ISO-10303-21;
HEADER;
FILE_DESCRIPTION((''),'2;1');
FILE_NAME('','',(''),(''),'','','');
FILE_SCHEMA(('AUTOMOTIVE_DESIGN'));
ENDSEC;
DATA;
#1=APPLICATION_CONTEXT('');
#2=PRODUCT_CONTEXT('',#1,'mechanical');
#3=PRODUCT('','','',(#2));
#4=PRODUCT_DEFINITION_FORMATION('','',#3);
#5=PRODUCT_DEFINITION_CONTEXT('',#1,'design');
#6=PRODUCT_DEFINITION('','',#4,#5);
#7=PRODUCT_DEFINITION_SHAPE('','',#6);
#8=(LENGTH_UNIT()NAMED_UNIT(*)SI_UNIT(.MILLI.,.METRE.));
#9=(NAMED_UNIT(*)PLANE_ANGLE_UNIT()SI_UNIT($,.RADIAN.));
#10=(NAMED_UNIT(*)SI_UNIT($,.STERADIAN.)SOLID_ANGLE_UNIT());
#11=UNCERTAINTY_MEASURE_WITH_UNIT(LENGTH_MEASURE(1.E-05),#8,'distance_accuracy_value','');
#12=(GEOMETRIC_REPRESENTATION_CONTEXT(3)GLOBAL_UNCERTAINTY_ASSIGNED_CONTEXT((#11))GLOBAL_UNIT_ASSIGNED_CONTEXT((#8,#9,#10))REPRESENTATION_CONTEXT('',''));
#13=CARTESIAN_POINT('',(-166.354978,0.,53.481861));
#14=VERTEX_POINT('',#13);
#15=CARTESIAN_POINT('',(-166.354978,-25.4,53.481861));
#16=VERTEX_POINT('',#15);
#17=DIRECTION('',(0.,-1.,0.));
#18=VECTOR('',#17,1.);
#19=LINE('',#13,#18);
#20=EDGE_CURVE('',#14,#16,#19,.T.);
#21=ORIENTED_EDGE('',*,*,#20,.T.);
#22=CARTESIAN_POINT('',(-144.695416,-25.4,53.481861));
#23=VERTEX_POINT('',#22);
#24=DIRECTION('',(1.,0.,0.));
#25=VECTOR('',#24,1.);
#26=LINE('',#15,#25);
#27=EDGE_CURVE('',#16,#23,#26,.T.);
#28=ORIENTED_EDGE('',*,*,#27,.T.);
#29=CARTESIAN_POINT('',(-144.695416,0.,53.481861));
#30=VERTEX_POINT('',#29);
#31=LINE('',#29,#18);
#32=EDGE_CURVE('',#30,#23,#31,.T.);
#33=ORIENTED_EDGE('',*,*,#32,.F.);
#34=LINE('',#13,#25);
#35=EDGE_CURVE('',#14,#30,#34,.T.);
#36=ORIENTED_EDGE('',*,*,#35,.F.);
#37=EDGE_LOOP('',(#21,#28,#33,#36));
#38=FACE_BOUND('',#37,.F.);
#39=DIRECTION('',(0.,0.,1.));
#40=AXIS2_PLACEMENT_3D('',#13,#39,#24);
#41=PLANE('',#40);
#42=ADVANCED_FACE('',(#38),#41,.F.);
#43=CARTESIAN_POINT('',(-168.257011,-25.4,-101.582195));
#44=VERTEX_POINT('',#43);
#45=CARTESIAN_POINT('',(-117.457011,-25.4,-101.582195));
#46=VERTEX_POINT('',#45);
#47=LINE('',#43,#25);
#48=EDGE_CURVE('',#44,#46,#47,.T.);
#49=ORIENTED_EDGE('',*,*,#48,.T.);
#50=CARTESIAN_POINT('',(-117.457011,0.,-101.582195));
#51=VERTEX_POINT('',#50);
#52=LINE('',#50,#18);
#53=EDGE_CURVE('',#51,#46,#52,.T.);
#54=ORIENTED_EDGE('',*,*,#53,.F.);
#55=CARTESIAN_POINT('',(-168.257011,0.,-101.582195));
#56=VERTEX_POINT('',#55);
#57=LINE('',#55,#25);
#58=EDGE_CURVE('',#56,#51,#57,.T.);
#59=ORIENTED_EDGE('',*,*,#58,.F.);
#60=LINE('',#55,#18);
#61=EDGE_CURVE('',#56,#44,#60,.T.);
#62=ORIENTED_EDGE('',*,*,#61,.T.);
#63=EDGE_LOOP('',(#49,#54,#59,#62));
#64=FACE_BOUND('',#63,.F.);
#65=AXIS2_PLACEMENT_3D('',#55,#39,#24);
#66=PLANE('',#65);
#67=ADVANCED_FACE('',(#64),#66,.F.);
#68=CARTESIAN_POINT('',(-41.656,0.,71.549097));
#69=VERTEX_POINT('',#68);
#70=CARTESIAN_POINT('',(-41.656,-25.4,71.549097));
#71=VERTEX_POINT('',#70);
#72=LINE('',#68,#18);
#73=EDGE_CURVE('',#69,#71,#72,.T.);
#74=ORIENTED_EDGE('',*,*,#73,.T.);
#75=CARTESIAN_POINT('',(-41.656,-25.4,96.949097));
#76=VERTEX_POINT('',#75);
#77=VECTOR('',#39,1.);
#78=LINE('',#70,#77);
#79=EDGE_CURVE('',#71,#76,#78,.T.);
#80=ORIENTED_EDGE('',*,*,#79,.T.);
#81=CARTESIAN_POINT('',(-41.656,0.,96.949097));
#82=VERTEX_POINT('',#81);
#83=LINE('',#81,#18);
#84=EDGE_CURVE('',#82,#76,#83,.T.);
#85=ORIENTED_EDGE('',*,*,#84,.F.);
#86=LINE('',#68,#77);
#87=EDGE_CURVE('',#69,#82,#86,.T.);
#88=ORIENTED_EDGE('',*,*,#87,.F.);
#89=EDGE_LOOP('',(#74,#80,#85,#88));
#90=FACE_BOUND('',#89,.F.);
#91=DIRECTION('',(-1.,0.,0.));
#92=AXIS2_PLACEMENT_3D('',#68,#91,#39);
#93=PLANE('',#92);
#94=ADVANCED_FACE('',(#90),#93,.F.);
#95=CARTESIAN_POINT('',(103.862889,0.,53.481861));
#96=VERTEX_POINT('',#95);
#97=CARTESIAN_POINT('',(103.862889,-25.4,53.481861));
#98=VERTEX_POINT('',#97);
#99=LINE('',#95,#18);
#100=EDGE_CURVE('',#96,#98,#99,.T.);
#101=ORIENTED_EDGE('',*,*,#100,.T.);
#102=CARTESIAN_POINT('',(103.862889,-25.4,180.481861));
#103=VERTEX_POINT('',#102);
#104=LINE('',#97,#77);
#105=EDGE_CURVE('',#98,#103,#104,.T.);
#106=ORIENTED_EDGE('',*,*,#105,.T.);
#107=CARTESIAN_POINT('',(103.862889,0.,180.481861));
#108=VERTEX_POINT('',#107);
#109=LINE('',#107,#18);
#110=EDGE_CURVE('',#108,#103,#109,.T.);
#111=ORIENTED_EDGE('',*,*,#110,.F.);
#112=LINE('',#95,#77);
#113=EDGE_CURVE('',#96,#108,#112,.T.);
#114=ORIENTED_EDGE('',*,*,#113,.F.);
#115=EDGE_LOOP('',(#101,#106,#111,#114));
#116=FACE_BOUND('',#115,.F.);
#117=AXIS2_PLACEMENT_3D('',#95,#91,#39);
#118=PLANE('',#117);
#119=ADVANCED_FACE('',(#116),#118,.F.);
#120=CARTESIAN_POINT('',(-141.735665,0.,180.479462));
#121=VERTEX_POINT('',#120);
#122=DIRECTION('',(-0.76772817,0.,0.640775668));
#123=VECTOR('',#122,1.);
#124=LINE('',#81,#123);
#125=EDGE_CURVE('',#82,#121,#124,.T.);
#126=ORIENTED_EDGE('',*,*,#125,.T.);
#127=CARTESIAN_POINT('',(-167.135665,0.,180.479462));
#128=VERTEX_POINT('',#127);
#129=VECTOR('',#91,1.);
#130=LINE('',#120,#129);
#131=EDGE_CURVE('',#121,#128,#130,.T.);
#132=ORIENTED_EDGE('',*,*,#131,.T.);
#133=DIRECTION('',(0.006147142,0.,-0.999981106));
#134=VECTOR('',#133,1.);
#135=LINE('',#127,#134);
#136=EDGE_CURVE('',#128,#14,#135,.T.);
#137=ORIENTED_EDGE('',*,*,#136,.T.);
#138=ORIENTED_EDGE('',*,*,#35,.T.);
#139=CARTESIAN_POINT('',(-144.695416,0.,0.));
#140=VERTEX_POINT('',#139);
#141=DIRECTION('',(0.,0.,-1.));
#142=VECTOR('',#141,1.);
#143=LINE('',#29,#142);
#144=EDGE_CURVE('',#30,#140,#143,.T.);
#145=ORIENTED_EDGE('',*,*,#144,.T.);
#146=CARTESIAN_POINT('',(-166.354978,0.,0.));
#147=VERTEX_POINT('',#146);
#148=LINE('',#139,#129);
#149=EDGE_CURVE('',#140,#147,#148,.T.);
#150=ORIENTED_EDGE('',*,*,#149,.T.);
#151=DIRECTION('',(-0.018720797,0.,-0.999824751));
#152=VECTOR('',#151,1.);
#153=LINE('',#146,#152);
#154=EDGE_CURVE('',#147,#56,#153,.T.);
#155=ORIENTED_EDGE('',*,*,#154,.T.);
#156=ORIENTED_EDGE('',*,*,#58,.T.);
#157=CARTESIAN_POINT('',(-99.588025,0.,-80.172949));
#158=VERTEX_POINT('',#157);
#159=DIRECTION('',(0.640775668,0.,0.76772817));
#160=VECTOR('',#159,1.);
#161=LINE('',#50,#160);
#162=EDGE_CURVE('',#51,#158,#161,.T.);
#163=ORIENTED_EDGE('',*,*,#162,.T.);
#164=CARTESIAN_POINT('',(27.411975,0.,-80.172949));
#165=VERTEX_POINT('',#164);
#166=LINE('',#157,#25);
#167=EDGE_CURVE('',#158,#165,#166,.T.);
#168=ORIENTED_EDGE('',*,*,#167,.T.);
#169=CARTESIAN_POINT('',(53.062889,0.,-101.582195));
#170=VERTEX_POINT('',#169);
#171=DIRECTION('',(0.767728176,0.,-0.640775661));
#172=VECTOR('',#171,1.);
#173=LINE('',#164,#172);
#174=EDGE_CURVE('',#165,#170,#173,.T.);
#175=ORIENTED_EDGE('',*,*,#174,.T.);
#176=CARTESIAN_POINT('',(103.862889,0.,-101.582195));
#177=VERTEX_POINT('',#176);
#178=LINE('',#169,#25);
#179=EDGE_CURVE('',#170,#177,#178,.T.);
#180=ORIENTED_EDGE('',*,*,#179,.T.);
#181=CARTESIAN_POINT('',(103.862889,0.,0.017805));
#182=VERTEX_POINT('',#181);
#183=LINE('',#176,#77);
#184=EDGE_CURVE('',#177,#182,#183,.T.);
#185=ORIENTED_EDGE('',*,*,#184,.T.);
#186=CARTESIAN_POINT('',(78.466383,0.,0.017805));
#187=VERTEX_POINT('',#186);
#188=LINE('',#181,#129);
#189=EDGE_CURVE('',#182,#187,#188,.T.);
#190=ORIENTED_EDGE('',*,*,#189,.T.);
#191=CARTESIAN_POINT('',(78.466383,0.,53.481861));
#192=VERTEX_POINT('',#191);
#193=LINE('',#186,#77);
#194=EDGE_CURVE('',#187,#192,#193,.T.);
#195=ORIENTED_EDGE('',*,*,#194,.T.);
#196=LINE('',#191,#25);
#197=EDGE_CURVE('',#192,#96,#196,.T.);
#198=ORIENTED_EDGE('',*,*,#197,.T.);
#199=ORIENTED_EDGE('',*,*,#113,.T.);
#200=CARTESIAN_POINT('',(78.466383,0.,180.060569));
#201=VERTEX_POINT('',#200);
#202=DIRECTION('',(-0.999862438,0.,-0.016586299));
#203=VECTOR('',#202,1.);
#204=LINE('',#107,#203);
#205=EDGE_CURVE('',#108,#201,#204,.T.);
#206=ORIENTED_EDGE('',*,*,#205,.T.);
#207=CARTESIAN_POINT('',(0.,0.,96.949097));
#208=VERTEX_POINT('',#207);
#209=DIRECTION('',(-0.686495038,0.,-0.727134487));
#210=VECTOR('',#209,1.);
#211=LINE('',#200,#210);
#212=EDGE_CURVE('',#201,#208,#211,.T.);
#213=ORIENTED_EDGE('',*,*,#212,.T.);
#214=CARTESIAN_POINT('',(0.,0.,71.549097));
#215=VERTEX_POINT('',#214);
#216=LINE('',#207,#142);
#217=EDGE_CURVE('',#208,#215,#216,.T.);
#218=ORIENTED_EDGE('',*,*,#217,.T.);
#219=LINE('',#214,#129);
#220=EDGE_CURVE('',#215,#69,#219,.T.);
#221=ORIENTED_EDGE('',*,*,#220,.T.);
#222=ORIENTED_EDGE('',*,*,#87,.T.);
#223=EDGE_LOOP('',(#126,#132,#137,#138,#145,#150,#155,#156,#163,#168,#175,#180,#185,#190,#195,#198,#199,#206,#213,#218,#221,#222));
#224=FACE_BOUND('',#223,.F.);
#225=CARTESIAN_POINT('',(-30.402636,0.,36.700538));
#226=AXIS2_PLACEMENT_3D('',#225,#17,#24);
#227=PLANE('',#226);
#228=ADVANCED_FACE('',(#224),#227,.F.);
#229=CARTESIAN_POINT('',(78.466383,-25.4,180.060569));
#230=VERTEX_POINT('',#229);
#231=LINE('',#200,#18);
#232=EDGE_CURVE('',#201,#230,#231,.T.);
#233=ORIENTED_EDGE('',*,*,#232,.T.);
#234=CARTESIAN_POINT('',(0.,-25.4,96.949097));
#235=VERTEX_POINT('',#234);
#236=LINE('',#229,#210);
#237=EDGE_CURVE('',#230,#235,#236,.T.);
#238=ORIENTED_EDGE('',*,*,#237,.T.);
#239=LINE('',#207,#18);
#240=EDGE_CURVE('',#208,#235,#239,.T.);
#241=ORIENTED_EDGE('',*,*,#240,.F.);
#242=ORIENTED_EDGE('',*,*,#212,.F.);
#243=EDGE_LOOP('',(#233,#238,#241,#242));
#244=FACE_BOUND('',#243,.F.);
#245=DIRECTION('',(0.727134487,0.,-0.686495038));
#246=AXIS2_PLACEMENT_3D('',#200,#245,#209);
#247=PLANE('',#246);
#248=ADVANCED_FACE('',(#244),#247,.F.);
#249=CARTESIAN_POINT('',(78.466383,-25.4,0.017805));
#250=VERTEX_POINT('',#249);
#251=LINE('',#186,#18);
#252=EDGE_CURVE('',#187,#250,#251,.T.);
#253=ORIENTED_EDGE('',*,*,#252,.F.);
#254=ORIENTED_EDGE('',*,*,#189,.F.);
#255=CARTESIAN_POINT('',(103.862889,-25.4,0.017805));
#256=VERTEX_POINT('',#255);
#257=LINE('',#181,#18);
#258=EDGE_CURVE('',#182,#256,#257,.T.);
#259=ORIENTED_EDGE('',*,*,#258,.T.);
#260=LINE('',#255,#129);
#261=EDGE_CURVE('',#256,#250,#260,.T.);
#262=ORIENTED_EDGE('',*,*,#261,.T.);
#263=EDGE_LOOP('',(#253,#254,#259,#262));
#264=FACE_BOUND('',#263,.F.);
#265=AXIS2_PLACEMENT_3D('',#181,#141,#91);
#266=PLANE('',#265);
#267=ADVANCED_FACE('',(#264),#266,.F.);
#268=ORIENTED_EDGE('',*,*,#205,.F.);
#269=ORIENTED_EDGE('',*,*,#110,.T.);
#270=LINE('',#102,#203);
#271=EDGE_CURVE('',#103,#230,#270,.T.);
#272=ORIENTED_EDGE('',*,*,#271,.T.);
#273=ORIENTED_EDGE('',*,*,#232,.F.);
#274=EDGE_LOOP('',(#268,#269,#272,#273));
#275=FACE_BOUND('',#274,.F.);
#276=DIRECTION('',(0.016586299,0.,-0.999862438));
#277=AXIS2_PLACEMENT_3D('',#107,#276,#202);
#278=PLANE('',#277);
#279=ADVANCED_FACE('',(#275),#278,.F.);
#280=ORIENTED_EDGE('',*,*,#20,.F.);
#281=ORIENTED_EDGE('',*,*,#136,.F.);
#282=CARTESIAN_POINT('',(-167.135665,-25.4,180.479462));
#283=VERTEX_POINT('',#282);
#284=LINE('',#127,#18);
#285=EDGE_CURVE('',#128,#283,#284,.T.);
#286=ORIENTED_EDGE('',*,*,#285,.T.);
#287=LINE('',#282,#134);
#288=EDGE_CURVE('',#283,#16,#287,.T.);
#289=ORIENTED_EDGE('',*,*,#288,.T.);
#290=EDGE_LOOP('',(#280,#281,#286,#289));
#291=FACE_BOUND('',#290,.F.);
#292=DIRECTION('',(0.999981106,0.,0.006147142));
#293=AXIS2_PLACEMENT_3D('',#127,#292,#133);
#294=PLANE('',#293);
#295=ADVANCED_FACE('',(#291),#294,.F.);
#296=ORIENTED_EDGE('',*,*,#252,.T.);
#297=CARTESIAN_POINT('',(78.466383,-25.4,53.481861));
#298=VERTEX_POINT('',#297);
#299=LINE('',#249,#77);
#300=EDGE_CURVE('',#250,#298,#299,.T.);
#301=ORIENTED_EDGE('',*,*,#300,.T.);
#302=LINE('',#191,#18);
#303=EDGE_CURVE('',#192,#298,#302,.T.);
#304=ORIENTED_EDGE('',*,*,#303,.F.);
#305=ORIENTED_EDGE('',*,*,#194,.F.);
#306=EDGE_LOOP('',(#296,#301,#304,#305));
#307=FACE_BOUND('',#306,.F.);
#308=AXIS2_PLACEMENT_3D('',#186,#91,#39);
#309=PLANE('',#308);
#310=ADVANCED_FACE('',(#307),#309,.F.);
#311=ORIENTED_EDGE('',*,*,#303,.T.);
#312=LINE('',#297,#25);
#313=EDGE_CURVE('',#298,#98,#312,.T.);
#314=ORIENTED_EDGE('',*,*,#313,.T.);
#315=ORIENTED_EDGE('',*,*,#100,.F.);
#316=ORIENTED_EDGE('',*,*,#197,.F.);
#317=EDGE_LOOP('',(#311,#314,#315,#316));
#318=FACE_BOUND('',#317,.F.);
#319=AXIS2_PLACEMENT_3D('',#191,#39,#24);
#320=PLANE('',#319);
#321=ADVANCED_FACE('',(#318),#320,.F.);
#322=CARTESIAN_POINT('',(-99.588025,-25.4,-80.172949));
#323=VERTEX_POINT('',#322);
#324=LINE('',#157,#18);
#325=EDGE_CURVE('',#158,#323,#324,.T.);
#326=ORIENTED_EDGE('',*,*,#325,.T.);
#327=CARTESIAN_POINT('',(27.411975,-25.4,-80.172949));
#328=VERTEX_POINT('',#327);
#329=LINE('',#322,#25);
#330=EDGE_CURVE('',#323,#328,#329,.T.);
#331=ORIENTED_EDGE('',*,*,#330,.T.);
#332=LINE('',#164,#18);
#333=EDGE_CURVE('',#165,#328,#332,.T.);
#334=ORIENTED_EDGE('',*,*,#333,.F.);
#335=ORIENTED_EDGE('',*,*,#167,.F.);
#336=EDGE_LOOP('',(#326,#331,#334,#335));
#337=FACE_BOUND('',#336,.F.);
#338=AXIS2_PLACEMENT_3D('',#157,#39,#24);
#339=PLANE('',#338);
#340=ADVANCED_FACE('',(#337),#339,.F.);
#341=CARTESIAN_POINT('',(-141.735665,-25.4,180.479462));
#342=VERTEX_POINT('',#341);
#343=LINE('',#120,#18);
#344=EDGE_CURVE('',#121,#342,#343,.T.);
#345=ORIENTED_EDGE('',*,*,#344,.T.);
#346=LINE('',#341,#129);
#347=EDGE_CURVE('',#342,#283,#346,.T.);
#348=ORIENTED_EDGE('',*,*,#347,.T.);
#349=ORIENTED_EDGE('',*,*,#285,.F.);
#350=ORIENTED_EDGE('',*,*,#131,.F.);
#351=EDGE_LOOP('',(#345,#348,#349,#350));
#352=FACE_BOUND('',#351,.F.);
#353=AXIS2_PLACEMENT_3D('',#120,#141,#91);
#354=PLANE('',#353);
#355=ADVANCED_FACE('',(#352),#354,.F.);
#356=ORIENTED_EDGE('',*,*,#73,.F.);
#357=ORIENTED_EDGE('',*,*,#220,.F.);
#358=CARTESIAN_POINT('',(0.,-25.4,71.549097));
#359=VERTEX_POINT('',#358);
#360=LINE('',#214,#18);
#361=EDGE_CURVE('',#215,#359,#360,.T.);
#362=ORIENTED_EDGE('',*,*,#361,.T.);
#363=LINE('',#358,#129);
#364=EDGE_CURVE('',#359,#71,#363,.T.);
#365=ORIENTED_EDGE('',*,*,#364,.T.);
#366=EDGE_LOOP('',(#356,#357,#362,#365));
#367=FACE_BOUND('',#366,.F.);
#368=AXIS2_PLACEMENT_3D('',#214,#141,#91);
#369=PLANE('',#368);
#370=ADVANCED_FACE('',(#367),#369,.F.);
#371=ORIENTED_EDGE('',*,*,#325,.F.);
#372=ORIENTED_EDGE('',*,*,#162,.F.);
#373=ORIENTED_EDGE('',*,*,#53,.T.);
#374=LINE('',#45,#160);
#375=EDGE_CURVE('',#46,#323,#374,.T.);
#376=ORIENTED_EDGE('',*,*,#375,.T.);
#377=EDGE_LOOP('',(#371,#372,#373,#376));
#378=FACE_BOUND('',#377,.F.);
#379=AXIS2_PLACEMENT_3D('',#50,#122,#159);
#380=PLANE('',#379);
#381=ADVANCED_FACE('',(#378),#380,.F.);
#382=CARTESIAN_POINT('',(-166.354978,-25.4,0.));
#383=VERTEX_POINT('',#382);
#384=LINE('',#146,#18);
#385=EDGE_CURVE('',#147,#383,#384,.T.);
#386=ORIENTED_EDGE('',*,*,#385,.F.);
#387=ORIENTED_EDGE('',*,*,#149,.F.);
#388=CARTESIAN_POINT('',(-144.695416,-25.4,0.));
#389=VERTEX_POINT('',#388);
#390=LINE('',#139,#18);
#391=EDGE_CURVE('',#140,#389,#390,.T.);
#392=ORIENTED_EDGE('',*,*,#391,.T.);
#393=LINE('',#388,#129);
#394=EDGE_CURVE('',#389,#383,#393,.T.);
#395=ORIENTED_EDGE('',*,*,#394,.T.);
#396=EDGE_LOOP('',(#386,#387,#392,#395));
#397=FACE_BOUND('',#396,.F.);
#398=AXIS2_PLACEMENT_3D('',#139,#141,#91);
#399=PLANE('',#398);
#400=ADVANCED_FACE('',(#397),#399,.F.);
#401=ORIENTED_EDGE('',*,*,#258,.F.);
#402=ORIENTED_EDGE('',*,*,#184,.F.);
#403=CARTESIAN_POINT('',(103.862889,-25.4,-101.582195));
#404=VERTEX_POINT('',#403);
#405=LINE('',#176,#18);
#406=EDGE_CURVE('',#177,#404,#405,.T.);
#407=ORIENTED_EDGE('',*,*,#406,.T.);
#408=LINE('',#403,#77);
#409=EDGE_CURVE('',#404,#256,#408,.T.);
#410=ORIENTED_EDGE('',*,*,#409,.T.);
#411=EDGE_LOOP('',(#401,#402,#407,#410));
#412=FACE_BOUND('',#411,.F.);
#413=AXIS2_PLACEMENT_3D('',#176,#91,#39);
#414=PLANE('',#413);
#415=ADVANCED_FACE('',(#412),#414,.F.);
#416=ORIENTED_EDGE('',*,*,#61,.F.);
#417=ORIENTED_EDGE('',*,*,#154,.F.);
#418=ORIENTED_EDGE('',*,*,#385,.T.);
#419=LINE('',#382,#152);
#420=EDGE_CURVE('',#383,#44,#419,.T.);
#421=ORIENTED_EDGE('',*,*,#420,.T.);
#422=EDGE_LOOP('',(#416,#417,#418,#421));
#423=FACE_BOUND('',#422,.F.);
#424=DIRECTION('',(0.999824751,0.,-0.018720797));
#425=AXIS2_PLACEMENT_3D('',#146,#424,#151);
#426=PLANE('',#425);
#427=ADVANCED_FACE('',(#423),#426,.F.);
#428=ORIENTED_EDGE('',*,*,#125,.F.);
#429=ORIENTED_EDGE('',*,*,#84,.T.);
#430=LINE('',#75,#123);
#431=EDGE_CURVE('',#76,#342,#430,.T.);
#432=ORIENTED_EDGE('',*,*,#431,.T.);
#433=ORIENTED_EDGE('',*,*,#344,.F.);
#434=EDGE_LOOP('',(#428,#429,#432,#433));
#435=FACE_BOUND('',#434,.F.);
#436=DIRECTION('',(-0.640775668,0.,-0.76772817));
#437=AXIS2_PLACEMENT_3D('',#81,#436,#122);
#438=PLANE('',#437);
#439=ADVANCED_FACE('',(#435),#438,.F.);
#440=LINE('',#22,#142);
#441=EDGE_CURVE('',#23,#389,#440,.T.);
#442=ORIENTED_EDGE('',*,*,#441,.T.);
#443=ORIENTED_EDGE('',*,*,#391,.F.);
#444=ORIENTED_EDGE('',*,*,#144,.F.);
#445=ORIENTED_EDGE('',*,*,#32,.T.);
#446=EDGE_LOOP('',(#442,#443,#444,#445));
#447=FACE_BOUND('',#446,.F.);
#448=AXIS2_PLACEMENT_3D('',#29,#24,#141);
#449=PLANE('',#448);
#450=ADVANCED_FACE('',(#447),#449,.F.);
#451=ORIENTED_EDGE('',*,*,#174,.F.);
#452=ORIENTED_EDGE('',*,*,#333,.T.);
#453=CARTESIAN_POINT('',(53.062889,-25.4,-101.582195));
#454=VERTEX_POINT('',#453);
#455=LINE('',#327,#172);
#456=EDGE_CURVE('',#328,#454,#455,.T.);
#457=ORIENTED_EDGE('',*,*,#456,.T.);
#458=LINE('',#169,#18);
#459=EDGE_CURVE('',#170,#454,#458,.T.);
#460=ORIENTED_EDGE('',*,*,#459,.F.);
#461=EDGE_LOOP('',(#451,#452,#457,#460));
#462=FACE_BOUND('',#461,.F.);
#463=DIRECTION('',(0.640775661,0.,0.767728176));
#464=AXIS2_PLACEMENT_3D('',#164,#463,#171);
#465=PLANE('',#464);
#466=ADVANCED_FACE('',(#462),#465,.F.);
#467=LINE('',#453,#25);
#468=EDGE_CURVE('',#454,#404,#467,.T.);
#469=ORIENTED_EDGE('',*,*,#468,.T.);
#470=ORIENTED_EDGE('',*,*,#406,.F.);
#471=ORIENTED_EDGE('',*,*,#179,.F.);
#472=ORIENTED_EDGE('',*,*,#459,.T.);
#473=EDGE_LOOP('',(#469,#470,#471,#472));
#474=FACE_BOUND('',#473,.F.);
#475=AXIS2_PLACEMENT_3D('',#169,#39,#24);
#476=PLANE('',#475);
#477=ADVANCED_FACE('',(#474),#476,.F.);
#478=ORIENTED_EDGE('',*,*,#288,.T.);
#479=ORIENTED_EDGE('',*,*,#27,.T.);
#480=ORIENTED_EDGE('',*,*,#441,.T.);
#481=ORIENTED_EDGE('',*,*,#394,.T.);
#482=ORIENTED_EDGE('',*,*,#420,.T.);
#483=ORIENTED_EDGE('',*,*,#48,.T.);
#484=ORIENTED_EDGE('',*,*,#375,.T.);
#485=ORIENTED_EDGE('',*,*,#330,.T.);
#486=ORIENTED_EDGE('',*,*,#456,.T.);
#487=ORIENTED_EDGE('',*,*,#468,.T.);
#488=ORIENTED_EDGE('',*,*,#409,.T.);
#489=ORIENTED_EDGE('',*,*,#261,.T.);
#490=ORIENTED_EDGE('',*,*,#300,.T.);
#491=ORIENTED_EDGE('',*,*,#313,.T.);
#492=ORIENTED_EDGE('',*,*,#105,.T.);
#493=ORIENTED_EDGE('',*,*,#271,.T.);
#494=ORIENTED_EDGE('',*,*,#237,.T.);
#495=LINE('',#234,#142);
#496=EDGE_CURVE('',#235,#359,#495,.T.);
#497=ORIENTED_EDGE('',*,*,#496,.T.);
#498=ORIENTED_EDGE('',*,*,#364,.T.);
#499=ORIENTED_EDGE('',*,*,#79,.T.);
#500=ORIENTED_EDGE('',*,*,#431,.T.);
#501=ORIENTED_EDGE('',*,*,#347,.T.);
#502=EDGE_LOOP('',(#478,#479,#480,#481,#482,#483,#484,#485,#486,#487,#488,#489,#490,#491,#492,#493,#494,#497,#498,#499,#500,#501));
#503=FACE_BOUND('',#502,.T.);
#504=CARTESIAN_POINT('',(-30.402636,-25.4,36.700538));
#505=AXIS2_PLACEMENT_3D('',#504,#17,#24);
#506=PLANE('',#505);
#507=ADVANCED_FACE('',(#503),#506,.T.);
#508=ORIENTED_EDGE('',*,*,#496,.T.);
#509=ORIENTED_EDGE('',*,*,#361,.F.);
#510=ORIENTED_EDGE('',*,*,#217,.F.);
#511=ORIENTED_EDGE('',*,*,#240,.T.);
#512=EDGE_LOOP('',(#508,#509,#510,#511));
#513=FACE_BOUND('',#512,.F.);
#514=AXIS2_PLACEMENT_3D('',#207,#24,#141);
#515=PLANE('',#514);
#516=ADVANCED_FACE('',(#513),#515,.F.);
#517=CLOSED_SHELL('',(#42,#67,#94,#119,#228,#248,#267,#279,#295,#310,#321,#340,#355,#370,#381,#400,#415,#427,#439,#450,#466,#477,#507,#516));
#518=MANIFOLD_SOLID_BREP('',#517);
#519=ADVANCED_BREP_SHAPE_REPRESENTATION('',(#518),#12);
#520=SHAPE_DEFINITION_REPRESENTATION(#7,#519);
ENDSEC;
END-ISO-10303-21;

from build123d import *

# Parameters (mm, degrees)
F1_DEPTH = 25.4


with BuildPart() as f1:
    # F0 (on Front) → F1 (new body)
    with BuildSketch(Plane.XZ):
        Polygon((-141.735665, 180.479462), (-167.135665, 180.479462), (-166.354978, 53.481861), (-144.695416, 53.481861), (-144.695416, 0), (-166.354978, 0), (-168.257011, -101.582195), (-117.457011, -101.582195), (-99.588025, -80.172949), (27.411975, -80.172949), (53.062889, -101.582195), (103.862889, -101.582195), (103.862889, 0.017805), (78.466383, 0.017805), (78.466383, 53.481861), (103.862889, 53.481861), (103.862889, 180.481861), (78.466383, 180.060569), (0, 96.949097), (0, 71.549097), (-41.656, 71.549097), (-41.656, 96.949097), align=None)
    extrude(amount=F1_DEPTH)


solid = f1.part
